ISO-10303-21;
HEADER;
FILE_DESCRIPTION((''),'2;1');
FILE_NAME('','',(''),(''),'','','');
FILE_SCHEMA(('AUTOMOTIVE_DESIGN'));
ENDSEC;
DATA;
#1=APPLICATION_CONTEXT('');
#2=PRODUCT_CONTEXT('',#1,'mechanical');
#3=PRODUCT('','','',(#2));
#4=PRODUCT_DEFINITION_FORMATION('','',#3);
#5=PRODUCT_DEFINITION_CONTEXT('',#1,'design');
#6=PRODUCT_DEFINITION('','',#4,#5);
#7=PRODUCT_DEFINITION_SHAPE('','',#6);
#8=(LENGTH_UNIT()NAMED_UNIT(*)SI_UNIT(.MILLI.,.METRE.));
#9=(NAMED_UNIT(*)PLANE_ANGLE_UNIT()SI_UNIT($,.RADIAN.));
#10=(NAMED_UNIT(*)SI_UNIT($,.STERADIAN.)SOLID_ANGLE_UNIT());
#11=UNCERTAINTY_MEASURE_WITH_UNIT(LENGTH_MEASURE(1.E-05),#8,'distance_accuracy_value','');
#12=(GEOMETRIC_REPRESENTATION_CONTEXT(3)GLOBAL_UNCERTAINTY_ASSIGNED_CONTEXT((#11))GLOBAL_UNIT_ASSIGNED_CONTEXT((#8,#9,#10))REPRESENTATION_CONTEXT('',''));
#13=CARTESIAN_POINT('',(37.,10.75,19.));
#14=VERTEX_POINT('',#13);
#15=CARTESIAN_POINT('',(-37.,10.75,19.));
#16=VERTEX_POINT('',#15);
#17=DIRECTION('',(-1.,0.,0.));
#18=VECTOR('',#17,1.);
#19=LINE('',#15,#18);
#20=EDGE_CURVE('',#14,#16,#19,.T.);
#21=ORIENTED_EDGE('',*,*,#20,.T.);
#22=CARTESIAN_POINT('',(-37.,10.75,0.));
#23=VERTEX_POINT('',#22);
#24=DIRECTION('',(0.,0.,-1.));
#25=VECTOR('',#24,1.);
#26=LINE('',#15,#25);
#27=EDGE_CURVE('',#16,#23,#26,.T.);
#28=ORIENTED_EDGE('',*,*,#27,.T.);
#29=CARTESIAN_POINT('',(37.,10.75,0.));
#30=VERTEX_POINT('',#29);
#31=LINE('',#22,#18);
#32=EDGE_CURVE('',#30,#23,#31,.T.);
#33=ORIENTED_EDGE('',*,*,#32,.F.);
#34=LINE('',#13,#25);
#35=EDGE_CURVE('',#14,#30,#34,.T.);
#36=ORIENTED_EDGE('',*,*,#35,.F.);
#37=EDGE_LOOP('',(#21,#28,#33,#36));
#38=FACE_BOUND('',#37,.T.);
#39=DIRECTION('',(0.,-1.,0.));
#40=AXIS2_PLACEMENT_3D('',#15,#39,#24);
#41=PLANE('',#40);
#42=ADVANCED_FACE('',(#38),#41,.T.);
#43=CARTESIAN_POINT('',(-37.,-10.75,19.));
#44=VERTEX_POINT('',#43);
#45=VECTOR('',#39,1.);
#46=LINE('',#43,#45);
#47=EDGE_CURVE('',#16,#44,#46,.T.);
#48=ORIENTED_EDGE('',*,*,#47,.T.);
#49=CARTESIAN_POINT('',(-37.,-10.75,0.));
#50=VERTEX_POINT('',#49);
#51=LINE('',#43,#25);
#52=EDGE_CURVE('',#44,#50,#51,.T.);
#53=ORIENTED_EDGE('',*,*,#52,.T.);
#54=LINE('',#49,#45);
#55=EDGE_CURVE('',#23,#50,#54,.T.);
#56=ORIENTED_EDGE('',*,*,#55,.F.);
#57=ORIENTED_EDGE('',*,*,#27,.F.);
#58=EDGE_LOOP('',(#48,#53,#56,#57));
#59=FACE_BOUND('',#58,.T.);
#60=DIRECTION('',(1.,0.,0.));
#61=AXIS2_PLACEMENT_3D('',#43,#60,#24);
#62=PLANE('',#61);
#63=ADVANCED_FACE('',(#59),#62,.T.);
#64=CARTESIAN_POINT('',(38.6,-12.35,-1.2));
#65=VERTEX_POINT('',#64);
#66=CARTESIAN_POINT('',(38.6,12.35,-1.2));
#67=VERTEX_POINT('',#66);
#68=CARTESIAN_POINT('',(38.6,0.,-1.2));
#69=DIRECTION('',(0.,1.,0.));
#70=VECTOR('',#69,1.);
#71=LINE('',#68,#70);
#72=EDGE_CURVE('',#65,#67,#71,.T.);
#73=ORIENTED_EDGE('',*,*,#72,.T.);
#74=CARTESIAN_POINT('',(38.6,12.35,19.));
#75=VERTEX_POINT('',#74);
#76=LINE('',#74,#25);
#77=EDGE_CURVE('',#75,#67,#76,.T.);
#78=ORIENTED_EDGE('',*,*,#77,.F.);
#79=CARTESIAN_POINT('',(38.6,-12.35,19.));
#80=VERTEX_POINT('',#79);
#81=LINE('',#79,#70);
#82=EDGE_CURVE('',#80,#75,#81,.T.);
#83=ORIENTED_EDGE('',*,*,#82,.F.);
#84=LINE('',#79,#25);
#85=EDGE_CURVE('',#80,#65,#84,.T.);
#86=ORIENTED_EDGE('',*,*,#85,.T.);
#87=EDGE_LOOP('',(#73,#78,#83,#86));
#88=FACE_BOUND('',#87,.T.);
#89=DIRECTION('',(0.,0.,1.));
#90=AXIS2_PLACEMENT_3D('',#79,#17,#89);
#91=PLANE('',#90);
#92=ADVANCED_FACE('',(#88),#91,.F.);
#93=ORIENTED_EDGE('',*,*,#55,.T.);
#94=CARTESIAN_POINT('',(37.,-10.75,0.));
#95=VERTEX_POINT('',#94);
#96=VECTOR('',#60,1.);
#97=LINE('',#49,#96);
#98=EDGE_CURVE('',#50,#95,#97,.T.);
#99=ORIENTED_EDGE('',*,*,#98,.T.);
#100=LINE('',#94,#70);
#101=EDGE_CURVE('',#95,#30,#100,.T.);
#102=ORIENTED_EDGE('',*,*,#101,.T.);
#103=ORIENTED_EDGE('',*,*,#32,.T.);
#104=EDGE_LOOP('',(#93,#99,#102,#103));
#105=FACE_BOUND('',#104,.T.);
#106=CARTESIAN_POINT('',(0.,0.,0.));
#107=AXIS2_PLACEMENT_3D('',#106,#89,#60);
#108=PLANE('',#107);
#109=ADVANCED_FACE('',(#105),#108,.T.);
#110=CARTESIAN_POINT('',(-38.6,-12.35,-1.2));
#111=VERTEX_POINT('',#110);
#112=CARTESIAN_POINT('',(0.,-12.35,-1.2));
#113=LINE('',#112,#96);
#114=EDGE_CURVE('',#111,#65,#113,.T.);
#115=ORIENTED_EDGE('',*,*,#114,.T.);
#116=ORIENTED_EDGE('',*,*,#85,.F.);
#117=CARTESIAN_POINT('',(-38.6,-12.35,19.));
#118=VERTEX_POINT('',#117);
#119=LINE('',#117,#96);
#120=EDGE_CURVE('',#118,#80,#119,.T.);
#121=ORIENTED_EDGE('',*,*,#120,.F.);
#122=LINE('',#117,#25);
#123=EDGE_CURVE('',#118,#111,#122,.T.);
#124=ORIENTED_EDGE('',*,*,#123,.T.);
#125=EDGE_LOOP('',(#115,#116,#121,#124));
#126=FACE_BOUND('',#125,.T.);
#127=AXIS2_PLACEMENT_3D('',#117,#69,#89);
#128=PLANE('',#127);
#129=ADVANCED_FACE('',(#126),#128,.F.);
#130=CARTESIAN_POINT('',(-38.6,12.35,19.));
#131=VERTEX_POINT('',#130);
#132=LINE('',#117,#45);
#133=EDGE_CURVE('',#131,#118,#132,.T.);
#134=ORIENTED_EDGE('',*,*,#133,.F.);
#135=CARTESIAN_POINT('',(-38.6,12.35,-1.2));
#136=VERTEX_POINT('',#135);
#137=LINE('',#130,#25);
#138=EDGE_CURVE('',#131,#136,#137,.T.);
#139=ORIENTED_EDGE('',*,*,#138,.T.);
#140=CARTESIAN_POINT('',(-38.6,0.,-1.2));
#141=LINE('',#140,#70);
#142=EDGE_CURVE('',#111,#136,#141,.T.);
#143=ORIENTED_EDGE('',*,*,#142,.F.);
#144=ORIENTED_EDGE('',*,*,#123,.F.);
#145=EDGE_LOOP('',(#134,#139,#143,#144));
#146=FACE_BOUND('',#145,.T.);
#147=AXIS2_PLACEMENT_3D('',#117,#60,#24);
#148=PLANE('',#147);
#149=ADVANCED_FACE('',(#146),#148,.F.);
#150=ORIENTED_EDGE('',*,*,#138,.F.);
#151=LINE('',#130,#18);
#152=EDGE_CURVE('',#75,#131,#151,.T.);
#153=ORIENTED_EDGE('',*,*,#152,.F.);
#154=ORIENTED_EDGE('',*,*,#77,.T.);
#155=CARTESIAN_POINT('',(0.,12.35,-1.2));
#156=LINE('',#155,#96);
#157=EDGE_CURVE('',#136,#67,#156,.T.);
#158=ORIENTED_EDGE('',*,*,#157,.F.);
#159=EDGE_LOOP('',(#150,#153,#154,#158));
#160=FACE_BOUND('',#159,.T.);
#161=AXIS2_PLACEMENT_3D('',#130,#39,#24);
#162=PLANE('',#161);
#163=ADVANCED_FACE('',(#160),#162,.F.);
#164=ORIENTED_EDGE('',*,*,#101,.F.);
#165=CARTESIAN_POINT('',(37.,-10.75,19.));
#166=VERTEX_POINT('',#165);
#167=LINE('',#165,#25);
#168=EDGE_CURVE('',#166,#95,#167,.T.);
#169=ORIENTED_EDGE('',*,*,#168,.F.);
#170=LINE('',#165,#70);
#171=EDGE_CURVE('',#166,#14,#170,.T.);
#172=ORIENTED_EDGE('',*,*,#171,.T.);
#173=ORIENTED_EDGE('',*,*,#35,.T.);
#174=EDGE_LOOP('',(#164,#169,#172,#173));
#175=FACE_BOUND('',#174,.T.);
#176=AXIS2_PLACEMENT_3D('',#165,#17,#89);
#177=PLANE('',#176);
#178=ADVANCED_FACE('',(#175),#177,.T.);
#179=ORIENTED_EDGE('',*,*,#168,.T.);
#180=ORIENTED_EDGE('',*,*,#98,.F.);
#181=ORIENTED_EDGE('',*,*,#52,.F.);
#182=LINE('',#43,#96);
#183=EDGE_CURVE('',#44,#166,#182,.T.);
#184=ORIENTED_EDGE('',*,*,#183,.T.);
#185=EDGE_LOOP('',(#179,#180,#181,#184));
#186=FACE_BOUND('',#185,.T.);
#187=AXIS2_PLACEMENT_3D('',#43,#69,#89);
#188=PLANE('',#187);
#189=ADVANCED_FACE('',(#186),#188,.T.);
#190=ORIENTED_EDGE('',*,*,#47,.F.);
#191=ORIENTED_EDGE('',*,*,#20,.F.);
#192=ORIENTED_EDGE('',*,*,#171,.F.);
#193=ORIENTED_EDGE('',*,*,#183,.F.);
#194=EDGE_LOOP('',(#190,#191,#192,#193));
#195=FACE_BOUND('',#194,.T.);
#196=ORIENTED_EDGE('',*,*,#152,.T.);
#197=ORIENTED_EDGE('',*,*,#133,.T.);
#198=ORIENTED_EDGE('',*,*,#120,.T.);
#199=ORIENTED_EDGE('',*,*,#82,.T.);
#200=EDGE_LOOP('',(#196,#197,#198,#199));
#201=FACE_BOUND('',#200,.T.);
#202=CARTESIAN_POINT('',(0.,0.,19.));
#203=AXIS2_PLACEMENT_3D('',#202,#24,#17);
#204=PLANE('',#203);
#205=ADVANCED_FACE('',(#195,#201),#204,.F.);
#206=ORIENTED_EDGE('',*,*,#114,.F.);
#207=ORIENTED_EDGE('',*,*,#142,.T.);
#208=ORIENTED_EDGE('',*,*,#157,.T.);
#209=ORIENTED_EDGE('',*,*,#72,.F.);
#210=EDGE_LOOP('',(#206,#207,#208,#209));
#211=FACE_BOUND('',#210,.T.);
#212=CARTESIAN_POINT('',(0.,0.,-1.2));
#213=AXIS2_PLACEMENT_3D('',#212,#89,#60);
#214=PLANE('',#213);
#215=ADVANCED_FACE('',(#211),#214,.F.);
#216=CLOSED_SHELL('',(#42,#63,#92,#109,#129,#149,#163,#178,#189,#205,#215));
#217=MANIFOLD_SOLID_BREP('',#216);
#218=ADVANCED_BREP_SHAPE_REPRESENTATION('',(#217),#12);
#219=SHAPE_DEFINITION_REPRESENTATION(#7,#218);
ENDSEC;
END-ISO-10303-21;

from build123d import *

# Parameters (mm, degrees)
SKETCH1_W           = 77.2
SKETCH1_H           = 24.7
SKETCH1_W_2         = 74
SKETCH1_H_2         = 21.5
BOSS_EXTRUDE1_DEPTH = 19
SKETCH1_2_W         = 77.2
SKETCH1_2_H         = 24.7
BOSS_EXTRUDE2_DEPTH = 1.2


with BuildPart() as part:
    # Sketch1 → Boss-Extrude1 (new body)
    with BuildSketch(Plane.XY):
        Rectangle(SKETCH1_W, SKETCH1_H)
        Rectangle(SKETCH1_W_2, SKETCH1_H_2, mode=Mode.SUBTRACT)
    extrude(amount=BOSS_EXTRUDE1_DEPTH)

    # Sketch1<2> → Boss-Extrude2 (add)
    with BuildSketch(Plane.XY):
        Rectangle(SKETCH1_2_W, SKETCH1_2_H)
    extrude(amount=-BOSS_EXTRUDE2_DEPTH)


solid = part.part
